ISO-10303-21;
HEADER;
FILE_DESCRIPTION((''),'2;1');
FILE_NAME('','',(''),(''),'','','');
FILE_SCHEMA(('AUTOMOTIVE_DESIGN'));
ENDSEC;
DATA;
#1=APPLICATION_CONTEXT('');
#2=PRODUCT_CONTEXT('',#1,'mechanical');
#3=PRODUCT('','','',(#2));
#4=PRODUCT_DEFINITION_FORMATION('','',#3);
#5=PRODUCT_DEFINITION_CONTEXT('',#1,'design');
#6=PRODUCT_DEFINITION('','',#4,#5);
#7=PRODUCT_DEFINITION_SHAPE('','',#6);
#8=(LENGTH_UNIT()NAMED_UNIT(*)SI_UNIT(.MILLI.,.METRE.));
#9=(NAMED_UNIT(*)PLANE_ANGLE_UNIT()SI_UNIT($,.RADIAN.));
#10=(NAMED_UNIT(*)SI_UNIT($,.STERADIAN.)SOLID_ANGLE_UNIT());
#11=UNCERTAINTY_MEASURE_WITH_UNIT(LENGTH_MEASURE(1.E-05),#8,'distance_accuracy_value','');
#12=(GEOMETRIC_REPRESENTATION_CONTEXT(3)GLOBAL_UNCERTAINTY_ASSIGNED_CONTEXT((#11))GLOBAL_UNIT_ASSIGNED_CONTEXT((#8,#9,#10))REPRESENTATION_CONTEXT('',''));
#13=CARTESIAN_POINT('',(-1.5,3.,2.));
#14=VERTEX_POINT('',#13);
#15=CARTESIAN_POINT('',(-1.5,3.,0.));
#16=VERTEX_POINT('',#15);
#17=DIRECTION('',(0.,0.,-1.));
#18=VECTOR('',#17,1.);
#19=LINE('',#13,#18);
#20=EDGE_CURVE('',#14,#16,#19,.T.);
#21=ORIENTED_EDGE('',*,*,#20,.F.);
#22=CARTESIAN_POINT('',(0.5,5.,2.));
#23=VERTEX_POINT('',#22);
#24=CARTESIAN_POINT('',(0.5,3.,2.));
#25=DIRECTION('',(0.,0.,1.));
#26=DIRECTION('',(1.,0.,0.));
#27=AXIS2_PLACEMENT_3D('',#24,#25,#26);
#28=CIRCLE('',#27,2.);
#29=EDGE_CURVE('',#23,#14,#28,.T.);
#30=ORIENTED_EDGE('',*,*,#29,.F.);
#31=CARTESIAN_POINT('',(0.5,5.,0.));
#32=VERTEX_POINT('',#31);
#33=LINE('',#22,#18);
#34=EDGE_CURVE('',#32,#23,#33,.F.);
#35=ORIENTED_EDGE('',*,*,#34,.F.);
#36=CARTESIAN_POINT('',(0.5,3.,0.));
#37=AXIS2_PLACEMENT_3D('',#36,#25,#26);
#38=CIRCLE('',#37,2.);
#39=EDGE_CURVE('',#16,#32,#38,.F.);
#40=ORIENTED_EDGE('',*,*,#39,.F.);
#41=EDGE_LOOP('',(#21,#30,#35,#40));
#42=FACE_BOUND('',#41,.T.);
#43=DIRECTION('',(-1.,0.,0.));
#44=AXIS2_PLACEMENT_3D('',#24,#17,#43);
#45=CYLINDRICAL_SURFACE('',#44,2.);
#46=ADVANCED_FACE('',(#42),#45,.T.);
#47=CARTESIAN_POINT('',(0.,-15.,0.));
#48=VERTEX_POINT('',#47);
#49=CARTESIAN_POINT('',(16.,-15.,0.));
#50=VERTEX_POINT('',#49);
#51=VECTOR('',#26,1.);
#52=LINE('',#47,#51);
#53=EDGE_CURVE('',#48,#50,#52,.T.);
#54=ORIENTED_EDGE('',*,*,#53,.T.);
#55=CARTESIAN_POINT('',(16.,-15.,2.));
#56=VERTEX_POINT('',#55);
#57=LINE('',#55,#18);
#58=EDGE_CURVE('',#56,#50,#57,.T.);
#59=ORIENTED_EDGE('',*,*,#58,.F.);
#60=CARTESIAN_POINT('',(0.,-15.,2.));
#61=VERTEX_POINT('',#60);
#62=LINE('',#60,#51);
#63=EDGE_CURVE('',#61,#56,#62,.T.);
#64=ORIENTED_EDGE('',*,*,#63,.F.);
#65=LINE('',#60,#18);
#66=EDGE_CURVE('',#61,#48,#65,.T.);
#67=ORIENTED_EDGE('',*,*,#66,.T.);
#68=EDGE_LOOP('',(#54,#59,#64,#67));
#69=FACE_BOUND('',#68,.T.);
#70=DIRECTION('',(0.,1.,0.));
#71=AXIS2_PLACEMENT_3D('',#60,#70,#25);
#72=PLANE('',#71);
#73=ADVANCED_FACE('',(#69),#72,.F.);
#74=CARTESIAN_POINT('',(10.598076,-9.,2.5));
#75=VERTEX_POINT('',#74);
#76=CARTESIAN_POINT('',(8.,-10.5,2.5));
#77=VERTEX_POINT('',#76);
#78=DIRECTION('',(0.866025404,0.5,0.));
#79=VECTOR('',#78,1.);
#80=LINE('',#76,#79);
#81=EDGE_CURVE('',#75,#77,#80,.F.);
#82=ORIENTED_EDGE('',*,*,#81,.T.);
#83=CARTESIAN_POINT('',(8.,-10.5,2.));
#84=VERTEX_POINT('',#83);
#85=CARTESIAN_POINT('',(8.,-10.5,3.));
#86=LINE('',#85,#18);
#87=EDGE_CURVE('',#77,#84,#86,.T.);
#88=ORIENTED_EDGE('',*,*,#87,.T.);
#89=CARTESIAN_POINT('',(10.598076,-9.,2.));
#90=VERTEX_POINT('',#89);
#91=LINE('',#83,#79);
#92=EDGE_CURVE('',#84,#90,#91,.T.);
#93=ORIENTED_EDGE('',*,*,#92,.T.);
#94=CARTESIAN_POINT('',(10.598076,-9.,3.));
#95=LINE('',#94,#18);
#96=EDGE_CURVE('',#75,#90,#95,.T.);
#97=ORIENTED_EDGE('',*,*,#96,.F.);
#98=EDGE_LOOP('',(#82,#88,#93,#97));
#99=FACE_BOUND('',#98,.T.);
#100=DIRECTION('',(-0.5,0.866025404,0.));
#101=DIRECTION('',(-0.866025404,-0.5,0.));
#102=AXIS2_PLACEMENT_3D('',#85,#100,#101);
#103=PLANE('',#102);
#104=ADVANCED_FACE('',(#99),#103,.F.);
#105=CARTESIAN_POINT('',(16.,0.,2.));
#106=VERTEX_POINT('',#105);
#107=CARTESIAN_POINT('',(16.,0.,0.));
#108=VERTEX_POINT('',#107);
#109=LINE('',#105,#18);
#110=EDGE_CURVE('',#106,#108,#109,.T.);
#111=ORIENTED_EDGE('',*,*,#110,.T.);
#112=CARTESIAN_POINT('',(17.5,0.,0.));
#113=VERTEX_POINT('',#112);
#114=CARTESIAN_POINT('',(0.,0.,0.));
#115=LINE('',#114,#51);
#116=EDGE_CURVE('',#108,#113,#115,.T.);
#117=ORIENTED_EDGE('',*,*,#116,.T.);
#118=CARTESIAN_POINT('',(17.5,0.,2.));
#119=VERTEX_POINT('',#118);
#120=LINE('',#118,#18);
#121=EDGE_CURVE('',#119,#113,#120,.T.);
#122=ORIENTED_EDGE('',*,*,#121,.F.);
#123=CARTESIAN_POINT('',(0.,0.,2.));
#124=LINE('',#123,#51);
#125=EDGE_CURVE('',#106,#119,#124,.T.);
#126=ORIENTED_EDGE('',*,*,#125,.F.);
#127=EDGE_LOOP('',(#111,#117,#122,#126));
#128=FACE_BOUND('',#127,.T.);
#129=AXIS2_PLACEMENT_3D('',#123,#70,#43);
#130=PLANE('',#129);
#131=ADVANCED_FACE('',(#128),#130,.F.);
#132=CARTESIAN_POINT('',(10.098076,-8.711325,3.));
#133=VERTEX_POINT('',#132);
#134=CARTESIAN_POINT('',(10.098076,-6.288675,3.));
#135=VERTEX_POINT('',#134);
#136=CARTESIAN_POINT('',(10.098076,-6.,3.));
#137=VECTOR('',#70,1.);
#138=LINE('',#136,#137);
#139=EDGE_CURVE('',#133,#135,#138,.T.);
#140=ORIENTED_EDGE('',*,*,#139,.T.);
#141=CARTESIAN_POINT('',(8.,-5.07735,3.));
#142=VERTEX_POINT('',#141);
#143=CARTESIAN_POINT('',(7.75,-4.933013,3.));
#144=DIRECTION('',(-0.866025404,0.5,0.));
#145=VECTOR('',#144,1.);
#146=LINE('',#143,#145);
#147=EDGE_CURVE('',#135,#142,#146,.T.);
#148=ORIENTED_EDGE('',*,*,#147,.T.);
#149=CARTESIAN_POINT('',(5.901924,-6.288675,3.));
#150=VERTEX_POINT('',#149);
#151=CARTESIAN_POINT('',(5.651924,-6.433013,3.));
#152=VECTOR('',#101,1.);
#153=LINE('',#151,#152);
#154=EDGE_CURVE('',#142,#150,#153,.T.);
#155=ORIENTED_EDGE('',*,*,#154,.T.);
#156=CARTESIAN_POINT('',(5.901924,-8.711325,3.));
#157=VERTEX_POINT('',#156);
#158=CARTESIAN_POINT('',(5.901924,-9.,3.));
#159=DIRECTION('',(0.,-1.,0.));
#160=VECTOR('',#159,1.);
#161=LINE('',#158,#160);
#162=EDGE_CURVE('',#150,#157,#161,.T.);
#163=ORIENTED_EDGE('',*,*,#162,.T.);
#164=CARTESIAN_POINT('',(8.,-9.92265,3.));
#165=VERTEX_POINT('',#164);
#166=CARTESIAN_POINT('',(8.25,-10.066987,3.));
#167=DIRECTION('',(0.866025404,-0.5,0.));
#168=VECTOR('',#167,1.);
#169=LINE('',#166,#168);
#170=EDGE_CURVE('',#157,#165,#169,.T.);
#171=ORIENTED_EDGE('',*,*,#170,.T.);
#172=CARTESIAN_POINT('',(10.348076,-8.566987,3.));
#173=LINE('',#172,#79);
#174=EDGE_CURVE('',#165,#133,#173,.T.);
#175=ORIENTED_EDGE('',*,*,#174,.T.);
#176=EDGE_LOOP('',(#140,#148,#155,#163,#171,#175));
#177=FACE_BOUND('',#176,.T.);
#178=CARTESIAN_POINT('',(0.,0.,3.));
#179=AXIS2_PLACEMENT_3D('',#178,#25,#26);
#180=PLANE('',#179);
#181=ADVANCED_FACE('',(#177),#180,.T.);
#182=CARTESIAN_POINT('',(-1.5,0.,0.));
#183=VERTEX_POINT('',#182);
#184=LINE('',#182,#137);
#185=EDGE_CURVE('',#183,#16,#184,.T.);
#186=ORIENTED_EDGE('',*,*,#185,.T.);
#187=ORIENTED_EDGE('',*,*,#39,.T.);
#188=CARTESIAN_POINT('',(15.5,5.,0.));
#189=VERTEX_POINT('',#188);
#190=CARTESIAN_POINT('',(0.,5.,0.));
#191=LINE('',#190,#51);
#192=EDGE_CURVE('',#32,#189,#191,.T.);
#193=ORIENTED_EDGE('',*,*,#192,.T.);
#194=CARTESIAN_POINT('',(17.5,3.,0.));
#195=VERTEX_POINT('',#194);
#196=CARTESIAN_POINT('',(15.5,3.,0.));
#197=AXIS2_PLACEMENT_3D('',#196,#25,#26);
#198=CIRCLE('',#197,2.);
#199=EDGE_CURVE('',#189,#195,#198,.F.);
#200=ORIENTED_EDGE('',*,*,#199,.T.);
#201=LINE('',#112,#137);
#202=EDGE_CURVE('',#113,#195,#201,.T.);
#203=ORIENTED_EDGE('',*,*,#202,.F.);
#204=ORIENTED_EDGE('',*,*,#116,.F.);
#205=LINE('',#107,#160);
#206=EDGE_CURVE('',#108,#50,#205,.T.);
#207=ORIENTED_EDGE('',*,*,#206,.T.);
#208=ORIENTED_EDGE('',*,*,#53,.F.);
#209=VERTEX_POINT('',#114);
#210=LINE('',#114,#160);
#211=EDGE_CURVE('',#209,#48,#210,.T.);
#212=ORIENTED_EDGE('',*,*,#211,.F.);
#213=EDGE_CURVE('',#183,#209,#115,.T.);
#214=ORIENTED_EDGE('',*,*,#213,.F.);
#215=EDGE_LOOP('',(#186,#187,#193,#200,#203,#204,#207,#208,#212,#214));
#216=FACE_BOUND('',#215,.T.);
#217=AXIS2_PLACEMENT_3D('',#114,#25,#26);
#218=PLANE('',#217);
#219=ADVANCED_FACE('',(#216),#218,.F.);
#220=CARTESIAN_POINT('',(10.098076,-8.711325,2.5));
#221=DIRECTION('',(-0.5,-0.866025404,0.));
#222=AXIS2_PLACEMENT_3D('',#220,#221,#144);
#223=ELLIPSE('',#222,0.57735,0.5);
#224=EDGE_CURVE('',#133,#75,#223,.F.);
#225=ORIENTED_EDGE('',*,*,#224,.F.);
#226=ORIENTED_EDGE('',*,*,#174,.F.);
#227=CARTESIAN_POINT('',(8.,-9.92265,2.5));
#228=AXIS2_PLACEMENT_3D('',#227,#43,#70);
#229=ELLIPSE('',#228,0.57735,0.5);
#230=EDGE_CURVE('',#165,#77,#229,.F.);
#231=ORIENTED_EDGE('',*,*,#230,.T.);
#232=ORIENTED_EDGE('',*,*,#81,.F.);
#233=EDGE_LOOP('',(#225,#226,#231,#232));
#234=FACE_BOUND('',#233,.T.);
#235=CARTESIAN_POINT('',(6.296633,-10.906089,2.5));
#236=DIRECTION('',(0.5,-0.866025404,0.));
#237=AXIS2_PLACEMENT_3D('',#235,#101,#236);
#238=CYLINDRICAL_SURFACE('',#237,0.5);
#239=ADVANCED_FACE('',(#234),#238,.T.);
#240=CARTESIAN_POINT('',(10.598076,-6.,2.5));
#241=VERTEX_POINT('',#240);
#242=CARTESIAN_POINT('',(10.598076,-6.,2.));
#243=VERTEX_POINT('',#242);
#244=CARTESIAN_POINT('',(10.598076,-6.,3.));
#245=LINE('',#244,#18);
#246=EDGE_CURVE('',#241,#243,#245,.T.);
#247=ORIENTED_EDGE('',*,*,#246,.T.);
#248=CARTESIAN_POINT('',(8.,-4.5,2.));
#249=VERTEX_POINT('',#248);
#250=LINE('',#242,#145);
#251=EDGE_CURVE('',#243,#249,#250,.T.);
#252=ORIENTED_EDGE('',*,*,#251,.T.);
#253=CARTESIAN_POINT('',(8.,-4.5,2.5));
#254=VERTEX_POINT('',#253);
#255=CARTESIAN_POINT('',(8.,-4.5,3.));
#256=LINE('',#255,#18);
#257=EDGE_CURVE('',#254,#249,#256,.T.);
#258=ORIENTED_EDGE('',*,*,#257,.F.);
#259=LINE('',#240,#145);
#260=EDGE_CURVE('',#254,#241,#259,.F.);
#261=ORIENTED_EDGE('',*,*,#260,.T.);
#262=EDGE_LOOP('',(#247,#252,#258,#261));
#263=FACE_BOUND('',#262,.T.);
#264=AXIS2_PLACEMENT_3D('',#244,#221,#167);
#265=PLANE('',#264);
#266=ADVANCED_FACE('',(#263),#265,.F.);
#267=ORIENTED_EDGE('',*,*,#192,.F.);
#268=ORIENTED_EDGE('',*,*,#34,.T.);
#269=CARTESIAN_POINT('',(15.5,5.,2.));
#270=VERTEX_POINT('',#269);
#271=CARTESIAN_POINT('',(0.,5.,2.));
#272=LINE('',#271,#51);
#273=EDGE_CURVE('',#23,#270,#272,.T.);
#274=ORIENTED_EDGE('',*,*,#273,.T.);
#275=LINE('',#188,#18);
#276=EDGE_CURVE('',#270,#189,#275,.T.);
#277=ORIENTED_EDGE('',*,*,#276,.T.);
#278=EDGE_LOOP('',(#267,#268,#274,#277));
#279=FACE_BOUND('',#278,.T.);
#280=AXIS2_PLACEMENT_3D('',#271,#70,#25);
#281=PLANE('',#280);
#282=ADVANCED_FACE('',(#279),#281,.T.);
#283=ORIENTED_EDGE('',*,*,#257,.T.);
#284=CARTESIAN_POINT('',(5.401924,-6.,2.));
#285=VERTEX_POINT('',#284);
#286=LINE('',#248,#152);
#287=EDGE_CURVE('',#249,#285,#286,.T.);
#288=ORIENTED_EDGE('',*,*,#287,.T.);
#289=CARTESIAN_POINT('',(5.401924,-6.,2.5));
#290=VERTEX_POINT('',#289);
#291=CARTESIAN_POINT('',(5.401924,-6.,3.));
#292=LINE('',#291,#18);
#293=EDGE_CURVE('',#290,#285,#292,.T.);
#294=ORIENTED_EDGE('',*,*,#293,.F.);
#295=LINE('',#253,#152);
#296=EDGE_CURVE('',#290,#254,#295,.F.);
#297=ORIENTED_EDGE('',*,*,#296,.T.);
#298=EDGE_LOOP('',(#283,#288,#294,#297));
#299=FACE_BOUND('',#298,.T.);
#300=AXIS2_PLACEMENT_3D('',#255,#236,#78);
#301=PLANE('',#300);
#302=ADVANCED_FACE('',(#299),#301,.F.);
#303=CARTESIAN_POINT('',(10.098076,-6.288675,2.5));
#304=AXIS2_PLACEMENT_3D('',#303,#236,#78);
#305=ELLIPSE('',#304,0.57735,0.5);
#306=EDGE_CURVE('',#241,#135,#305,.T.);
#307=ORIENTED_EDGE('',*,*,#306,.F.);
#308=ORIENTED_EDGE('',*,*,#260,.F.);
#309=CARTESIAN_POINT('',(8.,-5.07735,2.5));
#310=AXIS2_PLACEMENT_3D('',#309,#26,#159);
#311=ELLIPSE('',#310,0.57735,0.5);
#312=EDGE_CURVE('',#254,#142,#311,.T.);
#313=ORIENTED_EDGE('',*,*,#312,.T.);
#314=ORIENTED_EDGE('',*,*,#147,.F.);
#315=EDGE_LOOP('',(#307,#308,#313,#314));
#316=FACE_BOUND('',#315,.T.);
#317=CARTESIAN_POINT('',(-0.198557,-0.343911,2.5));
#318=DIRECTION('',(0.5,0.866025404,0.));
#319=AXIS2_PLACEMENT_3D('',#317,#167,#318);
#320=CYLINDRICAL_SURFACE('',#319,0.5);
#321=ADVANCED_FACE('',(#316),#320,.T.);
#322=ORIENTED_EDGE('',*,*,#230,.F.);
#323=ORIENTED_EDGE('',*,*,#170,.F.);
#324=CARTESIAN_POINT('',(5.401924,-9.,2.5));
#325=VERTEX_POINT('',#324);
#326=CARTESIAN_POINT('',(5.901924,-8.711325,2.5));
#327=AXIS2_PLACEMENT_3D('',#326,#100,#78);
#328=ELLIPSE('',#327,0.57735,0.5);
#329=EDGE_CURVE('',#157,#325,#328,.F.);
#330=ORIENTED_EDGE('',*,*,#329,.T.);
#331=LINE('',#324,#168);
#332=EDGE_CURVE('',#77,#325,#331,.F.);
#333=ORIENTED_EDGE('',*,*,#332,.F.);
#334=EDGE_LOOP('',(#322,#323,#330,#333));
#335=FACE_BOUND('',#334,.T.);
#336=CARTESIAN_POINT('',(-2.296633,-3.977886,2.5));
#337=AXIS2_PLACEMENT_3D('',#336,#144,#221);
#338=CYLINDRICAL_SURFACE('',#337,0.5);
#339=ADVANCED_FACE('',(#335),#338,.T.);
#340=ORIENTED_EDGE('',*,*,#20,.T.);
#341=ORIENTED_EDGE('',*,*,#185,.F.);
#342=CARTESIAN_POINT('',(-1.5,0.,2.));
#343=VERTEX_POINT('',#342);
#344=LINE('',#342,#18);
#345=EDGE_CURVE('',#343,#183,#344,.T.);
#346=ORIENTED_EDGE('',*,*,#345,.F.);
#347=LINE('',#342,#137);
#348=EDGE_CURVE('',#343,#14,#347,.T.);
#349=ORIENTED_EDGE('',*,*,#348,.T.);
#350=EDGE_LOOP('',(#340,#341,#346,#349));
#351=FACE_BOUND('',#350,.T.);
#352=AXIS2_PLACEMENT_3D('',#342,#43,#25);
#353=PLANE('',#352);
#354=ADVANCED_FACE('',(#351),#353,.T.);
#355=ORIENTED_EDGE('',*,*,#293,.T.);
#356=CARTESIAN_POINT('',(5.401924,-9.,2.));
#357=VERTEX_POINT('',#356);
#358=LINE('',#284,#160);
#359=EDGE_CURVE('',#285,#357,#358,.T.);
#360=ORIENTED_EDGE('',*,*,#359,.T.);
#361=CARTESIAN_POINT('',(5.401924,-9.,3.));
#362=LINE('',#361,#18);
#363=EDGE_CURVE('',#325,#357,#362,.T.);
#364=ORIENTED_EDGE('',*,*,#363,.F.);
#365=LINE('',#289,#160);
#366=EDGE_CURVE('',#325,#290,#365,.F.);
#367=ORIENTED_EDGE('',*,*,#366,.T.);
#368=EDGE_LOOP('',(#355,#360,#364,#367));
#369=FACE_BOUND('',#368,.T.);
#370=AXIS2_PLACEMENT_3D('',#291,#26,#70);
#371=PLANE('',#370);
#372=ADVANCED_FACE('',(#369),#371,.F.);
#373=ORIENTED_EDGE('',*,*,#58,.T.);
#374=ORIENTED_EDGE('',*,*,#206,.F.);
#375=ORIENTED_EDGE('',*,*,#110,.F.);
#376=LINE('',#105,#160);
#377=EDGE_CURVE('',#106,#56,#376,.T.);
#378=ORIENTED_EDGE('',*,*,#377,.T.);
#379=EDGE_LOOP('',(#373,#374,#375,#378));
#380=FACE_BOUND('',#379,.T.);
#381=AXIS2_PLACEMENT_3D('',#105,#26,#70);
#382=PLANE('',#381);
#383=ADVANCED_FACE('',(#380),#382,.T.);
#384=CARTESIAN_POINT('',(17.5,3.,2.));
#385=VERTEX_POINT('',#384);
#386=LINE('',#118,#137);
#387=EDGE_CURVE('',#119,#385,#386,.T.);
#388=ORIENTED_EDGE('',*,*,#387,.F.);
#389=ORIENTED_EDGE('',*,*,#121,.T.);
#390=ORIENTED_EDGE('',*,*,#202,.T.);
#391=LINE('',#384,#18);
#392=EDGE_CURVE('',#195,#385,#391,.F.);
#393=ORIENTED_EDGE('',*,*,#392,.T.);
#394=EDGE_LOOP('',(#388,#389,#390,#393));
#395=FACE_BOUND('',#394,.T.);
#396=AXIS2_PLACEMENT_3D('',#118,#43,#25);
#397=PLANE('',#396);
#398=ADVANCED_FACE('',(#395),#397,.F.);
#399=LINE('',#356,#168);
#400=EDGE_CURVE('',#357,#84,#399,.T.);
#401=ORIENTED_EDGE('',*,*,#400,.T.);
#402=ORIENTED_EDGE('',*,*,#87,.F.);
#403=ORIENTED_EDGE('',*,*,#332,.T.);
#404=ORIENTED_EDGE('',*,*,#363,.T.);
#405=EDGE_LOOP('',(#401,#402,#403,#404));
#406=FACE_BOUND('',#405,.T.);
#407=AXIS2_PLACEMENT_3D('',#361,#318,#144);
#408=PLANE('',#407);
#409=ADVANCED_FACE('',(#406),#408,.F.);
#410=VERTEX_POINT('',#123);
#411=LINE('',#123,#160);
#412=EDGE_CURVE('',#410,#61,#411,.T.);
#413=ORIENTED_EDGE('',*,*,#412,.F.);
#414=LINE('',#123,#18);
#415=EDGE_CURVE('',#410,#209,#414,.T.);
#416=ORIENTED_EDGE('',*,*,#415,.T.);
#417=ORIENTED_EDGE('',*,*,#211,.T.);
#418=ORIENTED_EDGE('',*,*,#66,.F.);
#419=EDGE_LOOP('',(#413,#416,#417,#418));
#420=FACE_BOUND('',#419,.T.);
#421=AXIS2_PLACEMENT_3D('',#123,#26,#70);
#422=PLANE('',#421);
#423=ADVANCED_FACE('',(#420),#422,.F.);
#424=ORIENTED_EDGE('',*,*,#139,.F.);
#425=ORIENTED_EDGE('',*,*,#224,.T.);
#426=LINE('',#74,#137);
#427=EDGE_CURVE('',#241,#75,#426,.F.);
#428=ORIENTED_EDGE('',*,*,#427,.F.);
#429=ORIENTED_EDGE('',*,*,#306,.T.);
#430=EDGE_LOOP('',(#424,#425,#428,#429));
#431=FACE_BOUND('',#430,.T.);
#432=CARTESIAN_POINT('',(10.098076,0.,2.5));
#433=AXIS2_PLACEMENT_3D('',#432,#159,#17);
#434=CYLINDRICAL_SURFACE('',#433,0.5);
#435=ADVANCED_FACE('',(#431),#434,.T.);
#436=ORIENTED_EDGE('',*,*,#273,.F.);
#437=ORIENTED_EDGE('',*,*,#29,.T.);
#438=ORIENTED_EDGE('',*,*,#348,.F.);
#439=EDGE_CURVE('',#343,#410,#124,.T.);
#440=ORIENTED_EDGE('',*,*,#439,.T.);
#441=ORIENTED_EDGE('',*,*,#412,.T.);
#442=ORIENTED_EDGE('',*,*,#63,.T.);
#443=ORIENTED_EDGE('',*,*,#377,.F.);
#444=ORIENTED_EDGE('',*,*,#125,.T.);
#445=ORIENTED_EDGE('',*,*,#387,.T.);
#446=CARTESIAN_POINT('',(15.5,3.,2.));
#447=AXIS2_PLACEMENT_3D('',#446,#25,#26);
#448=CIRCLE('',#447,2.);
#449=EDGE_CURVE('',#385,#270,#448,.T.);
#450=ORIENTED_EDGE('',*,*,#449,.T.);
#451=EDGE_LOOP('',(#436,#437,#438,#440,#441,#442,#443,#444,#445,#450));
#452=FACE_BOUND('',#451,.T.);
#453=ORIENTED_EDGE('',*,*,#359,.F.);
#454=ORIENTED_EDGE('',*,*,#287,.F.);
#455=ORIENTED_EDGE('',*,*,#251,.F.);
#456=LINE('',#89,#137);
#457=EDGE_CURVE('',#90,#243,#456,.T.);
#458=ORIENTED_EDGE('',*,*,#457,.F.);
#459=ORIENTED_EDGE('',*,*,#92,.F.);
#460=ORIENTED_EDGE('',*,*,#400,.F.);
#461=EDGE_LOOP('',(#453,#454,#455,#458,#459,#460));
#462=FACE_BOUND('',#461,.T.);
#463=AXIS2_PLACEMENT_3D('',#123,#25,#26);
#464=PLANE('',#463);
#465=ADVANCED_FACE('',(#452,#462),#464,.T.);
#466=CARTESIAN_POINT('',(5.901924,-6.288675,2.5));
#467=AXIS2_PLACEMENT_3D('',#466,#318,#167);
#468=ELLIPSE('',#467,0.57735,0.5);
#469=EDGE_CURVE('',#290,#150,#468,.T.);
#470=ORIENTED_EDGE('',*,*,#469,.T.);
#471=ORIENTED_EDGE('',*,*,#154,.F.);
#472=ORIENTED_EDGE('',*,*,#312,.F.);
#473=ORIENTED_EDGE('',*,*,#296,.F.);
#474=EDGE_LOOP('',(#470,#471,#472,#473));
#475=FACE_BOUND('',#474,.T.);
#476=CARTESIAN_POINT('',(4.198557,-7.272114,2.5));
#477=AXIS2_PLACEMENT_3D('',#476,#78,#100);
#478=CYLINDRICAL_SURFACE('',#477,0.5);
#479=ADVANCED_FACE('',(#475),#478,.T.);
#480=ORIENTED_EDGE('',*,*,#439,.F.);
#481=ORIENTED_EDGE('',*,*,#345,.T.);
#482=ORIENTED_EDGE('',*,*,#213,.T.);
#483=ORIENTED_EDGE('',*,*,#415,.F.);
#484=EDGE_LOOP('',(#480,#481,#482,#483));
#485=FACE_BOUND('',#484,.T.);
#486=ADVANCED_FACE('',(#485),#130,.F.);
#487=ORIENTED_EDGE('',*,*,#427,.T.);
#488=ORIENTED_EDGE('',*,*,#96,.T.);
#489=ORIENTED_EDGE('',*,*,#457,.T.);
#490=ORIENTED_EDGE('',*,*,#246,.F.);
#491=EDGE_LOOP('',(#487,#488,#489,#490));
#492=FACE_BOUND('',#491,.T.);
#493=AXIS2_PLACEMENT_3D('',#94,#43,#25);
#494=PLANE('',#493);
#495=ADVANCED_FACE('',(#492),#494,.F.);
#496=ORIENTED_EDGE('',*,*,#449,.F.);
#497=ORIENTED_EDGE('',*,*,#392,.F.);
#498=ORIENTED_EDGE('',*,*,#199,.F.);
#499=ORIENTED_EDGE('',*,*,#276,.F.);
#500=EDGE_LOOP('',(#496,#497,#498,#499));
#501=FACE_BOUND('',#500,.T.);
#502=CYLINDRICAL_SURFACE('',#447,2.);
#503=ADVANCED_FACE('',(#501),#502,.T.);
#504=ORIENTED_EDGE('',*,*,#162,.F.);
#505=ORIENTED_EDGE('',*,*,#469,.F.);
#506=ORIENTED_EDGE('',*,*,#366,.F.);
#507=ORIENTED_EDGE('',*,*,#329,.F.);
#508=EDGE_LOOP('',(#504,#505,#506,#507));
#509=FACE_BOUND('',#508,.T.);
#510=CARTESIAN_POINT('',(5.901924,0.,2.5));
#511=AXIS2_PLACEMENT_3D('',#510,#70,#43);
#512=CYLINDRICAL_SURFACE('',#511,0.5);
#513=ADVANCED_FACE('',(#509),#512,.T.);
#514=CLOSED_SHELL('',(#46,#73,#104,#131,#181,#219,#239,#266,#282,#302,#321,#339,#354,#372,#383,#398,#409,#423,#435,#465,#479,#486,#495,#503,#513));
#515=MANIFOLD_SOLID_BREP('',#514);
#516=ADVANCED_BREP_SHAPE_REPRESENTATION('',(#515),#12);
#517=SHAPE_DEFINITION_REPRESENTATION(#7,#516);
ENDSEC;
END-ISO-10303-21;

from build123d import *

# Parameters (mm, degrees)
CROQUIS1_W              = 16
CROQUIS1_H              = 15
SALIENTE_EXTRUIR3_DEPTH = 2
REDONDEO1_R             = 2
SALIENTE_EXTRUIR4_DEPTH = 1
REDONDEO2_R             = 0.5


with BuildPart() as part:
    # Croquis1 → Saliente-Extruir3 (new body)
    with BuildSketch(Plane.XY):
        Polygon((-1.5, 0), (0, 0), (16, 0), (17.5, 0), (17.5, 5), (-1.5, 5), align=None)
        with Locations((8, -7.5)):
            Rectangle(CROQUIS1_W, CROQUIS1_H)
    extrude(amount=SALIENTE_EXTRUIR3_DEPTH)

    # Redondeo1
    redondeo1_edges = [part.edges().sort_by_distance(p)[0] for p in [
        (-1.5, 5, 1),
        (17.5, 5, 1),
    ]]
    fillet(redondeo1_edges, radius=REDONDEO1_R)

    # Croquis3 → Saliente-Extruir4 (add)
    with BuildSketch(Plane.XY.offset(2)):
        Polygon((8, -4.5), (5.401923789, -6), (5.401923789, -9), (8, -10.5), (10.598076211, -9), (10.598076211, -6), align=None)
    extrude(amount=SALIENTE_EXTRUIR4_DEPTH)

    # Redondeo2
    redondeo2_edges = [part.edges().sort_by_distance(p)[0] for p in [
        (9.299038106, -5.25, 3),
        (6.700961894, -5.25, 3),
        (5.401923789, -7.5, 3),
        (6.700961894, -9.75, 3),
        (9.299038106, -9.75, 3),
        (10.598076211, -7.5, 3),
    ]]
    fillet(redondeo2_edges, radius=REDONDEO2_R)


solid = part.part
